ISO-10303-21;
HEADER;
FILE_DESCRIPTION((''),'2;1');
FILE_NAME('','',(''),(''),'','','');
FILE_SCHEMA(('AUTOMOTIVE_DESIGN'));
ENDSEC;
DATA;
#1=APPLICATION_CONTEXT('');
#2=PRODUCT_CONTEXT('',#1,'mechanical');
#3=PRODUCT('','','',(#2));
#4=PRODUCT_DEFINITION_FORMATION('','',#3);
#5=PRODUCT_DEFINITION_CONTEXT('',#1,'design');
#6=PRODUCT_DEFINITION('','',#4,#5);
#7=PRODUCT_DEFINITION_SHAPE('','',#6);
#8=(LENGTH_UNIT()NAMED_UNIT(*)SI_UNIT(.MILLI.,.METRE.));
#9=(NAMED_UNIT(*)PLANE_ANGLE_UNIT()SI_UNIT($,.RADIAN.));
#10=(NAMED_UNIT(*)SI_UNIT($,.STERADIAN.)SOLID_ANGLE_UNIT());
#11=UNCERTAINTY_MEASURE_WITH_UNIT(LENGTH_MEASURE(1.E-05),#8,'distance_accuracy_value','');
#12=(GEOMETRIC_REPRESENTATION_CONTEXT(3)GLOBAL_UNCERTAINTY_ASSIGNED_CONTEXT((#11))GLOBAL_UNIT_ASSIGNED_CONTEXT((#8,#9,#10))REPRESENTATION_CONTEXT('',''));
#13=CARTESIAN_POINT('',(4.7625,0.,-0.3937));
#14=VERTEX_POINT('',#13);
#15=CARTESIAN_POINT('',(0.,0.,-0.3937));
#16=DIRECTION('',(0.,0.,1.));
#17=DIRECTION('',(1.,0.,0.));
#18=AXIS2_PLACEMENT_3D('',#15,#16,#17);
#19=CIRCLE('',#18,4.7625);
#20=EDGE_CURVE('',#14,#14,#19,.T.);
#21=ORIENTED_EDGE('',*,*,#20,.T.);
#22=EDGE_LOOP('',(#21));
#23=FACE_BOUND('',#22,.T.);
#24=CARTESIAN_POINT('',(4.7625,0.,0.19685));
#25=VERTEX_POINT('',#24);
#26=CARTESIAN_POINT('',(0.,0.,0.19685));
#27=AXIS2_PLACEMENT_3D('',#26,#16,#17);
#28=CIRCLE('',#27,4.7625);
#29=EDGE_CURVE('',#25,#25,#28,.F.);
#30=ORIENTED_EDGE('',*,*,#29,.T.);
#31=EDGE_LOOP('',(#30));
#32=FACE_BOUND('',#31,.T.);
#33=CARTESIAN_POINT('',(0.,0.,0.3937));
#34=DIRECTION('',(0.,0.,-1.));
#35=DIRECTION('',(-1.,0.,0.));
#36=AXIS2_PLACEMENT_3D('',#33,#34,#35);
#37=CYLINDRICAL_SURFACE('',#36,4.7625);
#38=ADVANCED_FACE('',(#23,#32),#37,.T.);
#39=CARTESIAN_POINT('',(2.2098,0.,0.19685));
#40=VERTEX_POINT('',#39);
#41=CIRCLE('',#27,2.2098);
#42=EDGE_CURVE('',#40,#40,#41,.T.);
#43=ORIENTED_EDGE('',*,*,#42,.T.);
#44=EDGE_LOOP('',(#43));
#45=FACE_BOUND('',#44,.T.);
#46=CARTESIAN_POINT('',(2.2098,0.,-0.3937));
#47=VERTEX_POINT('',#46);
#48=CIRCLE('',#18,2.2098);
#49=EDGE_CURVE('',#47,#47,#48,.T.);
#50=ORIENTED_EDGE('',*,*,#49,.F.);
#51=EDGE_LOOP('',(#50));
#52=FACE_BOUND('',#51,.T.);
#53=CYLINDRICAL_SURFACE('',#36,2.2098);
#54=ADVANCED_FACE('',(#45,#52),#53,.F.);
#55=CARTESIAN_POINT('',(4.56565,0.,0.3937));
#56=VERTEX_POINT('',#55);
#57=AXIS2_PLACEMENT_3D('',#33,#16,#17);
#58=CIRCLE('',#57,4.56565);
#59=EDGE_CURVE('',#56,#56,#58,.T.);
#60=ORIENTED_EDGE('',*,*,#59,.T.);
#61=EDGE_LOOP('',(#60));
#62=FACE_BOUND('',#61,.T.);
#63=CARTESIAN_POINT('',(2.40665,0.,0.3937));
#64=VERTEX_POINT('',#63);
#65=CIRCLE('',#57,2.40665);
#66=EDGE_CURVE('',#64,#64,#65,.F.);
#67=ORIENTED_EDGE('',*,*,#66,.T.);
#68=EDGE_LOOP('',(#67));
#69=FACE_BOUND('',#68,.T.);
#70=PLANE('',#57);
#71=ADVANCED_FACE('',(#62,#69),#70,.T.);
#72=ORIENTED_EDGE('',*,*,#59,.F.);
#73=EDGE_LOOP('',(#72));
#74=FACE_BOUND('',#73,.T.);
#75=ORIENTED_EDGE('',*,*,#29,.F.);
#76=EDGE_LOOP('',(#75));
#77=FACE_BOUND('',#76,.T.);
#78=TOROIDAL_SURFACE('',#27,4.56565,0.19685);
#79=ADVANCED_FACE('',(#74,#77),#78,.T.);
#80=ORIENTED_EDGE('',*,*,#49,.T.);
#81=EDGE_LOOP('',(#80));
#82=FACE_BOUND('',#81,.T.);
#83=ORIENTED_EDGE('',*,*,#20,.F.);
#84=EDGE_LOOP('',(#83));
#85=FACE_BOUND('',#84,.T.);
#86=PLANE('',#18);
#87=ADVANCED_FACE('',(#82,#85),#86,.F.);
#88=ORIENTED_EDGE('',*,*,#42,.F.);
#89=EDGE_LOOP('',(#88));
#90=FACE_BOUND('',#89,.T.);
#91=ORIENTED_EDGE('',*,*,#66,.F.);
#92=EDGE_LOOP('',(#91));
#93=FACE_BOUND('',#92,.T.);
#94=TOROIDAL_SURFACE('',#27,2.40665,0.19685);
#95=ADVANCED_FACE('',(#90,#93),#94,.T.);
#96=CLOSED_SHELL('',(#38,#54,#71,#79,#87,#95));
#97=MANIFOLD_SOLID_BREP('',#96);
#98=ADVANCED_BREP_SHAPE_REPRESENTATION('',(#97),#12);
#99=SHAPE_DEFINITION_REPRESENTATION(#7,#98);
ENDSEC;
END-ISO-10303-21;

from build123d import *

# Parameters (mm, degrees)
SKETCH3_R                = 4.7625
SKETCH3_R_2              = 2.2098
BOSS_EXTRUDE1_DEPTH      = 0.3937
BOSS_EXTRUDE1_DEPTH_BACK = 0.3937
FILLET1_R                = 0.19685


with BuildPart() as part:
    # Sketch3 → Boss-Extrude1 (new body, two sides)
    with BuildSketch(Plane.XY) as boss_extrude1_sk:
        Circle(SKETCH3_R)
        Circle(SKETCH3_R_2, mode=Mode.SUBTRACT)
    extrude(amount=BOSS_EXTRUDE1_DEPTH)
    extrude(boss_extrude1_sk.sketch, amount=-BOSS_EXTRUDE1_DEPTH_BACK)

    # Fillet1
    fillet1_edges = [part.edges().sort_by_distance(p)[0] for p in [
        (-4.7625, 0, 0.3937),
        (-2.2098, 0, 0.3937),
    ]]
    fillet(fillet1_edges, radius=FILLET1_R)


solid = part.part
